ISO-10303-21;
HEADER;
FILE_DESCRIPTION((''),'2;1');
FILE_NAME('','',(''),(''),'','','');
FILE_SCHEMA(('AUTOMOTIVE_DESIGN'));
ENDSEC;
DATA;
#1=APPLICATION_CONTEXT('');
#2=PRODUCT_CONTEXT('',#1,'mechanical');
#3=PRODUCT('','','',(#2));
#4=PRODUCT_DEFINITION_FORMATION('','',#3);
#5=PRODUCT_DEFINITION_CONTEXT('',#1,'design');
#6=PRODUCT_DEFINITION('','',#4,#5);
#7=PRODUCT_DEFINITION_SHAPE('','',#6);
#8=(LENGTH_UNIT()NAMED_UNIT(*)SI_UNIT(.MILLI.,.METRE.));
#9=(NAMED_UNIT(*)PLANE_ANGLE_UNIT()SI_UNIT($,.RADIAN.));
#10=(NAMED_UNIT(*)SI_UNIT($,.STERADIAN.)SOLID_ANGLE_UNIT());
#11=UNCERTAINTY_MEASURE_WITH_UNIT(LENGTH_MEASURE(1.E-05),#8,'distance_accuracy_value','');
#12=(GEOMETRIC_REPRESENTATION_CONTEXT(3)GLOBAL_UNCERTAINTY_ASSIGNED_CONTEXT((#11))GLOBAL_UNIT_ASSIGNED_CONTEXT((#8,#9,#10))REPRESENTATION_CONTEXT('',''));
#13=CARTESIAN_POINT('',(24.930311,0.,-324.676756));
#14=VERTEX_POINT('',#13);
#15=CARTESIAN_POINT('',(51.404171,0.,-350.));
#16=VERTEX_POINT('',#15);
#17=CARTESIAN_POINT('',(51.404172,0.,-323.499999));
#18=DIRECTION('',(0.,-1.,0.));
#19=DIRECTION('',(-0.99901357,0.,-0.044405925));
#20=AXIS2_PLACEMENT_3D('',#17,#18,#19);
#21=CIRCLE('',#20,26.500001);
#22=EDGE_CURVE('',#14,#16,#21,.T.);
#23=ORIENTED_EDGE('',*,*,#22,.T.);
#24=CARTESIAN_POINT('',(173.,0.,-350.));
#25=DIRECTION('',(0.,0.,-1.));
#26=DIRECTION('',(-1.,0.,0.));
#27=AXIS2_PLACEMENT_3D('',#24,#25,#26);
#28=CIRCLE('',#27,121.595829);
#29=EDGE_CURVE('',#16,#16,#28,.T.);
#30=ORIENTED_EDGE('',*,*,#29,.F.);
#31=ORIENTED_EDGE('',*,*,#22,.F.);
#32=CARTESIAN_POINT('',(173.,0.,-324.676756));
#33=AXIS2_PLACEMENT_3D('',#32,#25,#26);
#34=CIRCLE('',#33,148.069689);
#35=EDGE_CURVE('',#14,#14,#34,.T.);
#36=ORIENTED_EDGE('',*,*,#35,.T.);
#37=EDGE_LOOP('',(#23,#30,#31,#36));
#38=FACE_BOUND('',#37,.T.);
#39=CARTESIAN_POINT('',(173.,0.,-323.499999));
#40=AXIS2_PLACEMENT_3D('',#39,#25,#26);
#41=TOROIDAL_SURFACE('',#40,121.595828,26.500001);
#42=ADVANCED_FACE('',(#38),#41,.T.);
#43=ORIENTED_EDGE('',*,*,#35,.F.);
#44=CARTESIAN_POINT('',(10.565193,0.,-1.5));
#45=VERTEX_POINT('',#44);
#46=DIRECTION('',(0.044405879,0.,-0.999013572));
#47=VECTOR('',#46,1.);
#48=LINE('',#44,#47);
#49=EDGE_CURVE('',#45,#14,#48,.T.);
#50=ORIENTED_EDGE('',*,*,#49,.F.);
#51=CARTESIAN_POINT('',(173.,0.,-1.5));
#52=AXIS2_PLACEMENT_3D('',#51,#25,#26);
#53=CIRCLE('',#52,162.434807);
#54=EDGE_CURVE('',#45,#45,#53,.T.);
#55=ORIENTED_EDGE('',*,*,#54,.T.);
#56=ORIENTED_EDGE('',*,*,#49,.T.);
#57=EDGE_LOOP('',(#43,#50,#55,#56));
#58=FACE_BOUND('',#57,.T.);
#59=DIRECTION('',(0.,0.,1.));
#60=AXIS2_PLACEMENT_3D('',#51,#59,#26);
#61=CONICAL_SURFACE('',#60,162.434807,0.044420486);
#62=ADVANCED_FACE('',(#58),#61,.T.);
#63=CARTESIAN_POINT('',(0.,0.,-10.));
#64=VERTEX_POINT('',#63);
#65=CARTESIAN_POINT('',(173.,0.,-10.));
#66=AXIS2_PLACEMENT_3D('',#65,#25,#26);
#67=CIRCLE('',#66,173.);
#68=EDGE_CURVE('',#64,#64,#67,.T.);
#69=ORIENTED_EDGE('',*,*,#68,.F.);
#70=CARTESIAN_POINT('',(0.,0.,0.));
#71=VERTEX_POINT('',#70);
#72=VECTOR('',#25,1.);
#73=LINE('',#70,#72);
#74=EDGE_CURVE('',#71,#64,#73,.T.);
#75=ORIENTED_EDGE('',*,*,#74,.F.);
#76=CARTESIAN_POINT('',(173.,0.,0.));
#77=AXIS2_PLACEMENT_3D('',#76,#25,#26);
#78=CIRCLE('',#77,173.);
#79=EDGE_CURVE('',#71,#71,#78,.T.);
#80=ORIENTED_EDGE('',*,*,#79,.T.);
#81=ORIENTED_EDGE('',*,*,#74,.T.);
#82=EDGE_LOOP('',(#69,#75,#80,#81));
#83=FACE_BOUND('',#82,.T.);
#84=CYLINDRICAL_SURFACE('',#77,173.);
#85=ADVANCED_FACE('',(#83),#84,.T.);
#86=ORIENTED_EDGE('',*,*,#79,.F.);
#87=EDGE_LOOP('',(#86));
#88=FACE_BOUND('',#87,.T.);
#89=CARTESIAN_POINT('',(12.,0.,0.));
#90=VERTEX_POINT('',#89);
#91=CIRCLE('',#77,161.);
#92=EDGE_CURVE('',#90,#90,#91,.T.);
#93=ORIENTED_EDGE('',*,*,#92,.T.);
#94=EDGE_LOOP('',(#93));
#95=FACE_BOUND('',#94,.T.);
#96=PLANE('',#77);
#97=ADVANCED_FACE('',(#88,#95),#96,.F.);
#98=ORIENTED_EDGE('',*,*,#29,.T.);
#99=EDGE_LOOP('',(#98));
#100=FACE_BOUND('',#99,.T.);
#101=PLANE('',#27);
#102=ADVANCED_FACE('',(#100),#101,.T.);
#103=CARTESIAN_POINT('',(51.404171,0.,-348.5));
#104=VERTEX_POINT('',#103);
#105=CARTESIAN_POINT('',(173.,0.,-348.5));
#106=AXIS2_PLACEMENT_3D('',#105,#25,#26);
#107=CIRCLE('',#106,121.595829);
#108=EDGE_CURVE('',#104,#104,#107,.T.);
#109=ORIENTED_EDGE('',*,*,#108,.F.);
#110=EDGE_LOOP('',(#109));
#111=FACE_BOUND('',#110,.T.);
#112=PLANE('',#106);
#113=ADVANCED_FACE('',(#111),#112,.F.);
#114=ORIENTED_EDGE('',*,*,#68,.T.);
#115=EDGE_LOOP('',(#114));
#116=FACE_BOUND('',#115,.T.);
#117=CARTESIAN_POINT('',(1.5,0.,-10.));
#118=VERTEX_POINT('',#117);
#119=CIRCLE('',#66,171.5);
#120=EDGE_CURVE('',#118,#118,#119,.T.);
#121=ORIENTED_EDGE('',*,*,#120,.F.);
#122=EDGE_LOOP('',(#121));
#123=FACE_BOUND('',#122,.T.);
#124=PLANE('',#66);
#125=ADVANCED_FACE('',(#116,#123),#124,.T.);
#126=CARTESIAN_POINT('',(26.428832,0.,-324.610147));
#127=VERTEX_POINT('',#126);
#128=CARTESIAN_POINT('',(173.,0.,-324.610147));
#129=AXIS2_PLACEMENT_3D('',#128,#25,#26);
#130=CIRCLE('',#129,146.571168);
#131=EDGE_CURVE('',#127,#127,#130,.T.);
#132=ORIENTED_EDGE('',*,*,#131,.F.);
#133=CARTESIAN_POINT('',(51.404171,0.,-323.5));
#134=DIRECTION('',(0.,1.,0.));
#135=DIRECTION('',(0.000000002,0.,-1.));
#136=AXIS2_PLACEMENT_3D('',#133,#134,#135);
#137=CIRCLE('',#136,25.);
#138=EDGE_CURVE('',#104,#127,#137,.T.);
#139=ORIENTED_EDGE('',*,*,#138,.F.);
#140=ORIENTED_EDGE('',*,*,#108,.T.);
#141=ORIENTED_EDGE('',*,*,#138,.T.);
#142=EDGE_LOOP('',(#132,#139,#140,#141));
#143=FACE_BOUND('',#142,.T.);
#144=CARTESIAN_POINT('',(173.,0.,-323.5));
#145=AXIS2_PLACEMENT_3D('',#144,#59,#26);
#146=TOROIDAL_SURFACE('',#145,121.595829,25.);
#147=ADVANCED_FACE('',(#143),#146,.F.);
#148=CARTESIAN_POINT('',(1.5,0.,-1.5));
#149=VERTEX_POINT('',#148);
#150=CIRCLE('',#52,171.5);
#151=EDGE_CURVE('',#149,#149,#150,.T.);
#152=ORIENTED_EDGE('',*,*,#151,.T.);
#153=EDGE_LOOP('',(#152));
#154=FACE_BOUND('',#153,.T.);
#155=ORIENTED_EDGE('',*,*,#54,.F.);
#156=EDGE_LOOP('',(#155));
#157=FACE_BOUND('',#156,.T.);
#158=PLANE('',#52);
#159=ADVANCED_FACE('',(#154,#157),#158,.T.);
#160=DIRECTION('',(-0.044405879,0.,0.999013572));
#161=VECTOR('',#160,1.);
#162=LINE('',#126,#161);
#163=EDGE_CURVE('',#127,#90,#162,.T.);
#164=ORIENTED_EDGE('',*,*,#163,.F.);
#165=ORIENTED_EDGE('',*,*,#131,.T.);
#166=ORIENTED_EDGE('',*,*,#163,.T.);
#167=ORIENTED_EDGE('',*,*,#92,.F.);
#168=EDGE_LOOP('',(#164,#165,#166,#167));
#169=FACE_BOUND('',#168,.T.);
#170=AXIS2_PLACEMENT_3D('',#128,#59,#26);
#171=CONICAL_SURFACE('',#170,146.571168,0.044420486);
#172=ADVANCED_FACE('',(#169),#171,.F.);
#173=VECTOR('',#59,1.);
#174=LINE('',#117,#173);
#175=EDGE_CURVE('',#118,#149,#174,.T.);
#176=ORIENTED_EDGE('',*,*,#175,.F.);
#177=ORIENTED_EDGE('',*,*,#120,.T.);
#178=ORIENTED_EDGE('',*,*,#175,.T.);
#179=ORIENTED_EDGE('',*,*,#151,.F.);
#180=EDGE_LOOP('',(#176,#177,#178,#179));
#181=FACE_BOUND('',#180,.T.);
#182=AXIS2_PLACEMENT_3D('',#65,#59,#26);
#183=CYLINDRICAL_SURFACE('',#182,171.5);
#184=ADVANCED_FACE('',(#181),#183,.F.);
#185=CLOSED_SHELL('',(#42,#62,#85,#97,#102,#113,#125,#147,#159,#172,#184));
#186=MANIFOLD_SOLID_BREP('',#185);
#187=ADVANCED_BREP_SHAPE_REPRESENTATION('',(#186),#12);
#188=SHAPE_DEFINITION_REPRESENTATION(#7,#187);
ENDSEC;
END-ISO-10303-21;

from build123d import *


with BuildPart() as f1:
    # F0 (on Front) → F1 (revolve)
    with BuildSketch(Plane.XZ):
        with BuildLine():
            Line((0, 0), (0, -10))
            Line((0, -10), (1.5, -10))
            Line((1.5, -10), (1.5, -1.5))
            Line((1.5, -1.5), (10.565193, -1.5))
            Line((10.565193, -1.5), (24.930311, -324.676756))
            ThreePointArc((24.930311, -324.676756), (33.086612, -342.649857), (51.404171, -350))
            Line((51.404171, -350), (173, -350))
            Line((173, -350), (173, -348.5))
            Line((173, -348.5), (51.404171, -348.5))
            ThreePointArc((51.404171, -348.5), (34.123455, -341.565903), (26.428832, -324.610147))
            Line((26.428832, -324.610147), (12, 0))
            Line((12, 0), (0, 0))
        make_face()
    revolve(axis=Axis((173, 0, -349.25), (0, 0, -1)))


solid = f1.part
